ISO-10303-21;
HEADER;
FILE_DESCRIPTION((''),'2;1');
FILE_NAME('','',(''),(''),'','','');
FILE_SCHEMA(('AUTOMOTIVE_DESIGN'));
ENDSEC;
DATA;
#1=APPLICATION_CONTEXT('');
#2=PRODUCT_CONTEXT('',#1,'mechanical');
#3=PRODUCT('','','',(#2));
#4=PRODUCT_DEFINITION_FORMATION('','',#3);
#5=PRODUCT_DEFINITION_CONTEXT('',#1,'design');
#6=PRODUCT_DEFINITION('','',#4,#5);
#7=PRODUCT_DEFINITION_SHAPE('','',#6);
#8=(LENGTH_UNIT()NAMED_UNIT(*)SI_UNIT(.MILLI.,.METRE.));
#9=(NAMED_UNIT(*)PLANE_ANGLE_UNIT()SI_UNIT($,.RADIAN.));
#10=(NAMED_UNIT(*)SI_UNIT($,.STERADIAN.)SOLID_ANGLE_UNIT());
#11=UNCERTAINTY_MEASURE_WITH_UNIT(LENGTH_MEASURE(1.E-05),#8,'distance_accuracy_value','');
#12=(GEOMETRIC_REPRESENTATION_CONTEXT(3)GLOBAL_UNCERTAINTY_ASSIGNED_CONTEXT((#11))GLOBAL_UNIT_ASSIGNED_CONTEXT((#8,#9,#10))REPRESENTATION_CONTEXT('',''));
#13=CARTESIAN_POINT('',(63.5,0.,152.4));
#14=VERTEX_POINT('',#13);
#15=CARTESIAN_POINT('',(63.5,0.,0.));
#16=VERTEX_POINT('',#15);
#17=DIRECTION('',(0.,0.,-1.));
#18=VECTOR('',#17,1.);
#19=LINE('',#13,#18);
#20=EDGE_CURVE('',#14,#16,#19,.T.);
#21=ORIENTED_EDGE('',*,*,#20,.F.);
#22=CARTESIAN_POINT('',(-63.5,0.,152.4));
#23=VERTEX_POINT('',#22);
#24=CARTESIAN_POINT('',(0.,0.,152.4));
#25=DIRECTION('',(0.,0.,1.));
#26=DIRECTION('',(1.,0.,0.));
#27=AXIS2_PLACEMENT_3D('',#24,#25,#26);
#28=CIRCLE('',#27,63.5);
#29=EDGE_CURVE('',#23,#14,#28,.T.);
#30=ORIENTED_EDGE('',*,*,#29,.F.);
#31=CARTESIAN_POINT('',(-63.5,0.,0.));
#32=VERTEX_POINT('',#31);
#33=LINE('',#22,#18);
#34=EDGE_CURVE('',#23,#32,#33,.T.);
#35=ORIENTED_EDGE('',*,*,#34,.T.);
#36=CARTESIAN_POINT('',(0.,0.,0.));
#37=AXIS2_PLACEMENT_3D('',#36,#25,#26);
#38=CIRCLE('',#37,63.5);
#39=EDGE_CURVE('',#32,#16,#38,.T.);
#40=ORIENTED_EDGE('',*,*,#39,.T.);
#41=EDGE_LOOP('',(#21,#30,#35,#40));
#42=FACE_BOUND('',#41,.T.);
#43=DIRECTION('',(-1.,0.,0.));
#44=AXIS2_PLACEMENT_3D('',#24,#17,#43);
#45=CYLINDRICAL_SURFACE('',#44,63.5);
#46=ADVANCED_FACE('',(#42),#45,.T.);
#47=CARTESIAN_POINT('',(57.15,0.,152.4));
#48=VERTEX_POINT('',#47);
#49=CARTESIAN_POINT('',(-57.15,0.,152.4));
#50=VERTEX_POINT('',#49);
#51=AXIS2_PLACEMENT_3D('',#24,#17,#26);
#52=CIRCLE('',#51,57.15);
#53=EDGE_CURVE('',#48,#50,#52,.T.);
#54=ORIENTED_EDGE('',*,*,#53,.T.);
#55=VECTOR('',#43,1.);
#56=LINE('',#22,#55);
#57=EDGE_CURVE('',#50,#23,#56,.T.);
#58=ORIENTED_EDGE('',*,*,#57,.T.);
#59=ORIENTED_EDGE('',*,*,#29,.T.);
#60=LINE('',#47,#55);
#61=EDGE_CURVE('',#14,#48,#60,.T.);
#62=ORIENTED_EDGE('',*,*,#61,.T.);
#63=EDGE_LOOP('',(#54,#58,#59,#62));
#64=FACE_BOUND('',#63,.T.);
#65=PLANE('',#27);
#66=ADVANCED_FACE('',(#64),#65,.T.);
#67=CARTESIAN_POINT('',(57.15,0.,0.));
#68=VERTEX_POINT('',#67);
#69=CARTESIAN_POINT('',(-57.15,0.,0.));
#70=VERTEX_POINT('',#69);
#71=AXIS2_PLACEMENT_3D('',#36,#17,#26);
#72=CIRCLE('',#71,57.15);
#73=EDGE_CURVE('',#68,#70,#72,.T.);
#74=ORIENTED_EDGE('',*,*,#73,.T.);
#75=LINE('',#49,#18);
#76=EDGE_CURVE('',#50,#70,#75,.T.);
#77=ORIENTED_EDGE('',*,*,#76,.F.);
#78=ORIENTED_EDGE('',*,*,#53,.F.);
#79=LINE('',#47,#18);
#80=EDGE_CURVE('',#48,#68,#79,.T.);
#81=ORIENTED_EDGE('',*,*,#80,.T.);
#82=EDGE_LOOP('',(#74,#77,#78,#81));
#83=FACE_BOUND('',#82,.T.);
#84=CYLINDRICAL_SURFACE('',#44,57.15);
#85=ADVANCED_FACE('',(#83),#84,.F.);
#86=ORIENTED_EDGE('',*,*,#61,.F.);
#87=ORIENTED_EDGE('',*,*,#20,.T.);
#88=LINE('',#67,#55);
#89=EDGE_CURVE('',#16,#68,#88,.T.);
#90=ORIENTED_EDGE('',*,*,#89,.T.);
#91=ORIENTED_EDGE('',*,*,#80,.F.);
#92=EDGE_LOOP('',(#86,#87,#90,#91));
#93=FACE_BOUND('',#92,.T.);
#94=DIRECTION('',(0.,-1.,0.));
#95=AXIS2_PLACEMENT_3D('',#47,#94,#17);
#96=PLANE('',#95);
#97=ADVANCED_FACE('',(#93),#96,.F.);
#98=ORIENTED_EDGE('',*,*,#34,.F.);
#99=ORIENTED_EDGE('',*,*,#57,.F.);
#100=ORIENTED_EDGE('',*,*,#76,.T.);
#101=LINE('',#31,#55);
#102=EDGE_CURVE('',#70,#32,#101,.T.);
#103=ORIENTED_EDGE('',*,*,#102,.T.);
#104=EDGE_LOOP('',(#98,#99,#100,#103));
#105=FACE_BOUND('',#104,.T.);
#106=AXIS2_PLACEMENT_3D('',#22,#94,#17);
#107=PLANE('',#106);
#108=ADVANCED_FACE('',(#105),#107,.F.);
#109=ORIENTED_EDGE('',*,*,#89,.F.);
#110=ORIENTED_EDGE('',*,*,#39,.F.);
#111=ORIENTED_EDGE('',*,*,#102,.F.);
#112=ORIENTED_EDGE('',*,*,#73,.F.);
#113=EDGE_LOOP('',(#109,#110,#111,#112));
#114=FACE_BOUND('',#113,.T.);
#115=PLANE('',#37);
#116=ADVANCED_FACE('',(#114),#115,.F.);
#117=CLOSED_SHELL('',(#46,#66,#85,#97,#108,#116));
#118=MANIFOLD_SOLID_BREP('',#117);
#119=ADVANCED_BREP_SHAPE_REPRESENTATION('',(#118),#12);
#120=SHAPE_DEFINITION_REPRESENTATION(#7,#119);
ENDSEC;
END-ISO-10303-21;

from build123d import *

# Parameters (mm, degrees)
BOSS_EXTRUDE1_DEPTH = 152.4


with BuildPart() as part:
    # Sketch1 → Boss-Extrude1 (new body)
    with BuildSketch(Plane.XY):
        with BuildLine():
            Line((-63.5, 0), (-57.15, 0))
            ThreePointArc((-57.15, 0), (0, -57.15), (57.15, 0))
            Line((57.15, 0), (63.5, 0))
            ThreePointArc((63.5, 0), (0, -63.5), (-63.5, 0))
        make_face()
    extrude(amount=BOSS_EXTRUDE1_DEPTH)


solid = part.part
